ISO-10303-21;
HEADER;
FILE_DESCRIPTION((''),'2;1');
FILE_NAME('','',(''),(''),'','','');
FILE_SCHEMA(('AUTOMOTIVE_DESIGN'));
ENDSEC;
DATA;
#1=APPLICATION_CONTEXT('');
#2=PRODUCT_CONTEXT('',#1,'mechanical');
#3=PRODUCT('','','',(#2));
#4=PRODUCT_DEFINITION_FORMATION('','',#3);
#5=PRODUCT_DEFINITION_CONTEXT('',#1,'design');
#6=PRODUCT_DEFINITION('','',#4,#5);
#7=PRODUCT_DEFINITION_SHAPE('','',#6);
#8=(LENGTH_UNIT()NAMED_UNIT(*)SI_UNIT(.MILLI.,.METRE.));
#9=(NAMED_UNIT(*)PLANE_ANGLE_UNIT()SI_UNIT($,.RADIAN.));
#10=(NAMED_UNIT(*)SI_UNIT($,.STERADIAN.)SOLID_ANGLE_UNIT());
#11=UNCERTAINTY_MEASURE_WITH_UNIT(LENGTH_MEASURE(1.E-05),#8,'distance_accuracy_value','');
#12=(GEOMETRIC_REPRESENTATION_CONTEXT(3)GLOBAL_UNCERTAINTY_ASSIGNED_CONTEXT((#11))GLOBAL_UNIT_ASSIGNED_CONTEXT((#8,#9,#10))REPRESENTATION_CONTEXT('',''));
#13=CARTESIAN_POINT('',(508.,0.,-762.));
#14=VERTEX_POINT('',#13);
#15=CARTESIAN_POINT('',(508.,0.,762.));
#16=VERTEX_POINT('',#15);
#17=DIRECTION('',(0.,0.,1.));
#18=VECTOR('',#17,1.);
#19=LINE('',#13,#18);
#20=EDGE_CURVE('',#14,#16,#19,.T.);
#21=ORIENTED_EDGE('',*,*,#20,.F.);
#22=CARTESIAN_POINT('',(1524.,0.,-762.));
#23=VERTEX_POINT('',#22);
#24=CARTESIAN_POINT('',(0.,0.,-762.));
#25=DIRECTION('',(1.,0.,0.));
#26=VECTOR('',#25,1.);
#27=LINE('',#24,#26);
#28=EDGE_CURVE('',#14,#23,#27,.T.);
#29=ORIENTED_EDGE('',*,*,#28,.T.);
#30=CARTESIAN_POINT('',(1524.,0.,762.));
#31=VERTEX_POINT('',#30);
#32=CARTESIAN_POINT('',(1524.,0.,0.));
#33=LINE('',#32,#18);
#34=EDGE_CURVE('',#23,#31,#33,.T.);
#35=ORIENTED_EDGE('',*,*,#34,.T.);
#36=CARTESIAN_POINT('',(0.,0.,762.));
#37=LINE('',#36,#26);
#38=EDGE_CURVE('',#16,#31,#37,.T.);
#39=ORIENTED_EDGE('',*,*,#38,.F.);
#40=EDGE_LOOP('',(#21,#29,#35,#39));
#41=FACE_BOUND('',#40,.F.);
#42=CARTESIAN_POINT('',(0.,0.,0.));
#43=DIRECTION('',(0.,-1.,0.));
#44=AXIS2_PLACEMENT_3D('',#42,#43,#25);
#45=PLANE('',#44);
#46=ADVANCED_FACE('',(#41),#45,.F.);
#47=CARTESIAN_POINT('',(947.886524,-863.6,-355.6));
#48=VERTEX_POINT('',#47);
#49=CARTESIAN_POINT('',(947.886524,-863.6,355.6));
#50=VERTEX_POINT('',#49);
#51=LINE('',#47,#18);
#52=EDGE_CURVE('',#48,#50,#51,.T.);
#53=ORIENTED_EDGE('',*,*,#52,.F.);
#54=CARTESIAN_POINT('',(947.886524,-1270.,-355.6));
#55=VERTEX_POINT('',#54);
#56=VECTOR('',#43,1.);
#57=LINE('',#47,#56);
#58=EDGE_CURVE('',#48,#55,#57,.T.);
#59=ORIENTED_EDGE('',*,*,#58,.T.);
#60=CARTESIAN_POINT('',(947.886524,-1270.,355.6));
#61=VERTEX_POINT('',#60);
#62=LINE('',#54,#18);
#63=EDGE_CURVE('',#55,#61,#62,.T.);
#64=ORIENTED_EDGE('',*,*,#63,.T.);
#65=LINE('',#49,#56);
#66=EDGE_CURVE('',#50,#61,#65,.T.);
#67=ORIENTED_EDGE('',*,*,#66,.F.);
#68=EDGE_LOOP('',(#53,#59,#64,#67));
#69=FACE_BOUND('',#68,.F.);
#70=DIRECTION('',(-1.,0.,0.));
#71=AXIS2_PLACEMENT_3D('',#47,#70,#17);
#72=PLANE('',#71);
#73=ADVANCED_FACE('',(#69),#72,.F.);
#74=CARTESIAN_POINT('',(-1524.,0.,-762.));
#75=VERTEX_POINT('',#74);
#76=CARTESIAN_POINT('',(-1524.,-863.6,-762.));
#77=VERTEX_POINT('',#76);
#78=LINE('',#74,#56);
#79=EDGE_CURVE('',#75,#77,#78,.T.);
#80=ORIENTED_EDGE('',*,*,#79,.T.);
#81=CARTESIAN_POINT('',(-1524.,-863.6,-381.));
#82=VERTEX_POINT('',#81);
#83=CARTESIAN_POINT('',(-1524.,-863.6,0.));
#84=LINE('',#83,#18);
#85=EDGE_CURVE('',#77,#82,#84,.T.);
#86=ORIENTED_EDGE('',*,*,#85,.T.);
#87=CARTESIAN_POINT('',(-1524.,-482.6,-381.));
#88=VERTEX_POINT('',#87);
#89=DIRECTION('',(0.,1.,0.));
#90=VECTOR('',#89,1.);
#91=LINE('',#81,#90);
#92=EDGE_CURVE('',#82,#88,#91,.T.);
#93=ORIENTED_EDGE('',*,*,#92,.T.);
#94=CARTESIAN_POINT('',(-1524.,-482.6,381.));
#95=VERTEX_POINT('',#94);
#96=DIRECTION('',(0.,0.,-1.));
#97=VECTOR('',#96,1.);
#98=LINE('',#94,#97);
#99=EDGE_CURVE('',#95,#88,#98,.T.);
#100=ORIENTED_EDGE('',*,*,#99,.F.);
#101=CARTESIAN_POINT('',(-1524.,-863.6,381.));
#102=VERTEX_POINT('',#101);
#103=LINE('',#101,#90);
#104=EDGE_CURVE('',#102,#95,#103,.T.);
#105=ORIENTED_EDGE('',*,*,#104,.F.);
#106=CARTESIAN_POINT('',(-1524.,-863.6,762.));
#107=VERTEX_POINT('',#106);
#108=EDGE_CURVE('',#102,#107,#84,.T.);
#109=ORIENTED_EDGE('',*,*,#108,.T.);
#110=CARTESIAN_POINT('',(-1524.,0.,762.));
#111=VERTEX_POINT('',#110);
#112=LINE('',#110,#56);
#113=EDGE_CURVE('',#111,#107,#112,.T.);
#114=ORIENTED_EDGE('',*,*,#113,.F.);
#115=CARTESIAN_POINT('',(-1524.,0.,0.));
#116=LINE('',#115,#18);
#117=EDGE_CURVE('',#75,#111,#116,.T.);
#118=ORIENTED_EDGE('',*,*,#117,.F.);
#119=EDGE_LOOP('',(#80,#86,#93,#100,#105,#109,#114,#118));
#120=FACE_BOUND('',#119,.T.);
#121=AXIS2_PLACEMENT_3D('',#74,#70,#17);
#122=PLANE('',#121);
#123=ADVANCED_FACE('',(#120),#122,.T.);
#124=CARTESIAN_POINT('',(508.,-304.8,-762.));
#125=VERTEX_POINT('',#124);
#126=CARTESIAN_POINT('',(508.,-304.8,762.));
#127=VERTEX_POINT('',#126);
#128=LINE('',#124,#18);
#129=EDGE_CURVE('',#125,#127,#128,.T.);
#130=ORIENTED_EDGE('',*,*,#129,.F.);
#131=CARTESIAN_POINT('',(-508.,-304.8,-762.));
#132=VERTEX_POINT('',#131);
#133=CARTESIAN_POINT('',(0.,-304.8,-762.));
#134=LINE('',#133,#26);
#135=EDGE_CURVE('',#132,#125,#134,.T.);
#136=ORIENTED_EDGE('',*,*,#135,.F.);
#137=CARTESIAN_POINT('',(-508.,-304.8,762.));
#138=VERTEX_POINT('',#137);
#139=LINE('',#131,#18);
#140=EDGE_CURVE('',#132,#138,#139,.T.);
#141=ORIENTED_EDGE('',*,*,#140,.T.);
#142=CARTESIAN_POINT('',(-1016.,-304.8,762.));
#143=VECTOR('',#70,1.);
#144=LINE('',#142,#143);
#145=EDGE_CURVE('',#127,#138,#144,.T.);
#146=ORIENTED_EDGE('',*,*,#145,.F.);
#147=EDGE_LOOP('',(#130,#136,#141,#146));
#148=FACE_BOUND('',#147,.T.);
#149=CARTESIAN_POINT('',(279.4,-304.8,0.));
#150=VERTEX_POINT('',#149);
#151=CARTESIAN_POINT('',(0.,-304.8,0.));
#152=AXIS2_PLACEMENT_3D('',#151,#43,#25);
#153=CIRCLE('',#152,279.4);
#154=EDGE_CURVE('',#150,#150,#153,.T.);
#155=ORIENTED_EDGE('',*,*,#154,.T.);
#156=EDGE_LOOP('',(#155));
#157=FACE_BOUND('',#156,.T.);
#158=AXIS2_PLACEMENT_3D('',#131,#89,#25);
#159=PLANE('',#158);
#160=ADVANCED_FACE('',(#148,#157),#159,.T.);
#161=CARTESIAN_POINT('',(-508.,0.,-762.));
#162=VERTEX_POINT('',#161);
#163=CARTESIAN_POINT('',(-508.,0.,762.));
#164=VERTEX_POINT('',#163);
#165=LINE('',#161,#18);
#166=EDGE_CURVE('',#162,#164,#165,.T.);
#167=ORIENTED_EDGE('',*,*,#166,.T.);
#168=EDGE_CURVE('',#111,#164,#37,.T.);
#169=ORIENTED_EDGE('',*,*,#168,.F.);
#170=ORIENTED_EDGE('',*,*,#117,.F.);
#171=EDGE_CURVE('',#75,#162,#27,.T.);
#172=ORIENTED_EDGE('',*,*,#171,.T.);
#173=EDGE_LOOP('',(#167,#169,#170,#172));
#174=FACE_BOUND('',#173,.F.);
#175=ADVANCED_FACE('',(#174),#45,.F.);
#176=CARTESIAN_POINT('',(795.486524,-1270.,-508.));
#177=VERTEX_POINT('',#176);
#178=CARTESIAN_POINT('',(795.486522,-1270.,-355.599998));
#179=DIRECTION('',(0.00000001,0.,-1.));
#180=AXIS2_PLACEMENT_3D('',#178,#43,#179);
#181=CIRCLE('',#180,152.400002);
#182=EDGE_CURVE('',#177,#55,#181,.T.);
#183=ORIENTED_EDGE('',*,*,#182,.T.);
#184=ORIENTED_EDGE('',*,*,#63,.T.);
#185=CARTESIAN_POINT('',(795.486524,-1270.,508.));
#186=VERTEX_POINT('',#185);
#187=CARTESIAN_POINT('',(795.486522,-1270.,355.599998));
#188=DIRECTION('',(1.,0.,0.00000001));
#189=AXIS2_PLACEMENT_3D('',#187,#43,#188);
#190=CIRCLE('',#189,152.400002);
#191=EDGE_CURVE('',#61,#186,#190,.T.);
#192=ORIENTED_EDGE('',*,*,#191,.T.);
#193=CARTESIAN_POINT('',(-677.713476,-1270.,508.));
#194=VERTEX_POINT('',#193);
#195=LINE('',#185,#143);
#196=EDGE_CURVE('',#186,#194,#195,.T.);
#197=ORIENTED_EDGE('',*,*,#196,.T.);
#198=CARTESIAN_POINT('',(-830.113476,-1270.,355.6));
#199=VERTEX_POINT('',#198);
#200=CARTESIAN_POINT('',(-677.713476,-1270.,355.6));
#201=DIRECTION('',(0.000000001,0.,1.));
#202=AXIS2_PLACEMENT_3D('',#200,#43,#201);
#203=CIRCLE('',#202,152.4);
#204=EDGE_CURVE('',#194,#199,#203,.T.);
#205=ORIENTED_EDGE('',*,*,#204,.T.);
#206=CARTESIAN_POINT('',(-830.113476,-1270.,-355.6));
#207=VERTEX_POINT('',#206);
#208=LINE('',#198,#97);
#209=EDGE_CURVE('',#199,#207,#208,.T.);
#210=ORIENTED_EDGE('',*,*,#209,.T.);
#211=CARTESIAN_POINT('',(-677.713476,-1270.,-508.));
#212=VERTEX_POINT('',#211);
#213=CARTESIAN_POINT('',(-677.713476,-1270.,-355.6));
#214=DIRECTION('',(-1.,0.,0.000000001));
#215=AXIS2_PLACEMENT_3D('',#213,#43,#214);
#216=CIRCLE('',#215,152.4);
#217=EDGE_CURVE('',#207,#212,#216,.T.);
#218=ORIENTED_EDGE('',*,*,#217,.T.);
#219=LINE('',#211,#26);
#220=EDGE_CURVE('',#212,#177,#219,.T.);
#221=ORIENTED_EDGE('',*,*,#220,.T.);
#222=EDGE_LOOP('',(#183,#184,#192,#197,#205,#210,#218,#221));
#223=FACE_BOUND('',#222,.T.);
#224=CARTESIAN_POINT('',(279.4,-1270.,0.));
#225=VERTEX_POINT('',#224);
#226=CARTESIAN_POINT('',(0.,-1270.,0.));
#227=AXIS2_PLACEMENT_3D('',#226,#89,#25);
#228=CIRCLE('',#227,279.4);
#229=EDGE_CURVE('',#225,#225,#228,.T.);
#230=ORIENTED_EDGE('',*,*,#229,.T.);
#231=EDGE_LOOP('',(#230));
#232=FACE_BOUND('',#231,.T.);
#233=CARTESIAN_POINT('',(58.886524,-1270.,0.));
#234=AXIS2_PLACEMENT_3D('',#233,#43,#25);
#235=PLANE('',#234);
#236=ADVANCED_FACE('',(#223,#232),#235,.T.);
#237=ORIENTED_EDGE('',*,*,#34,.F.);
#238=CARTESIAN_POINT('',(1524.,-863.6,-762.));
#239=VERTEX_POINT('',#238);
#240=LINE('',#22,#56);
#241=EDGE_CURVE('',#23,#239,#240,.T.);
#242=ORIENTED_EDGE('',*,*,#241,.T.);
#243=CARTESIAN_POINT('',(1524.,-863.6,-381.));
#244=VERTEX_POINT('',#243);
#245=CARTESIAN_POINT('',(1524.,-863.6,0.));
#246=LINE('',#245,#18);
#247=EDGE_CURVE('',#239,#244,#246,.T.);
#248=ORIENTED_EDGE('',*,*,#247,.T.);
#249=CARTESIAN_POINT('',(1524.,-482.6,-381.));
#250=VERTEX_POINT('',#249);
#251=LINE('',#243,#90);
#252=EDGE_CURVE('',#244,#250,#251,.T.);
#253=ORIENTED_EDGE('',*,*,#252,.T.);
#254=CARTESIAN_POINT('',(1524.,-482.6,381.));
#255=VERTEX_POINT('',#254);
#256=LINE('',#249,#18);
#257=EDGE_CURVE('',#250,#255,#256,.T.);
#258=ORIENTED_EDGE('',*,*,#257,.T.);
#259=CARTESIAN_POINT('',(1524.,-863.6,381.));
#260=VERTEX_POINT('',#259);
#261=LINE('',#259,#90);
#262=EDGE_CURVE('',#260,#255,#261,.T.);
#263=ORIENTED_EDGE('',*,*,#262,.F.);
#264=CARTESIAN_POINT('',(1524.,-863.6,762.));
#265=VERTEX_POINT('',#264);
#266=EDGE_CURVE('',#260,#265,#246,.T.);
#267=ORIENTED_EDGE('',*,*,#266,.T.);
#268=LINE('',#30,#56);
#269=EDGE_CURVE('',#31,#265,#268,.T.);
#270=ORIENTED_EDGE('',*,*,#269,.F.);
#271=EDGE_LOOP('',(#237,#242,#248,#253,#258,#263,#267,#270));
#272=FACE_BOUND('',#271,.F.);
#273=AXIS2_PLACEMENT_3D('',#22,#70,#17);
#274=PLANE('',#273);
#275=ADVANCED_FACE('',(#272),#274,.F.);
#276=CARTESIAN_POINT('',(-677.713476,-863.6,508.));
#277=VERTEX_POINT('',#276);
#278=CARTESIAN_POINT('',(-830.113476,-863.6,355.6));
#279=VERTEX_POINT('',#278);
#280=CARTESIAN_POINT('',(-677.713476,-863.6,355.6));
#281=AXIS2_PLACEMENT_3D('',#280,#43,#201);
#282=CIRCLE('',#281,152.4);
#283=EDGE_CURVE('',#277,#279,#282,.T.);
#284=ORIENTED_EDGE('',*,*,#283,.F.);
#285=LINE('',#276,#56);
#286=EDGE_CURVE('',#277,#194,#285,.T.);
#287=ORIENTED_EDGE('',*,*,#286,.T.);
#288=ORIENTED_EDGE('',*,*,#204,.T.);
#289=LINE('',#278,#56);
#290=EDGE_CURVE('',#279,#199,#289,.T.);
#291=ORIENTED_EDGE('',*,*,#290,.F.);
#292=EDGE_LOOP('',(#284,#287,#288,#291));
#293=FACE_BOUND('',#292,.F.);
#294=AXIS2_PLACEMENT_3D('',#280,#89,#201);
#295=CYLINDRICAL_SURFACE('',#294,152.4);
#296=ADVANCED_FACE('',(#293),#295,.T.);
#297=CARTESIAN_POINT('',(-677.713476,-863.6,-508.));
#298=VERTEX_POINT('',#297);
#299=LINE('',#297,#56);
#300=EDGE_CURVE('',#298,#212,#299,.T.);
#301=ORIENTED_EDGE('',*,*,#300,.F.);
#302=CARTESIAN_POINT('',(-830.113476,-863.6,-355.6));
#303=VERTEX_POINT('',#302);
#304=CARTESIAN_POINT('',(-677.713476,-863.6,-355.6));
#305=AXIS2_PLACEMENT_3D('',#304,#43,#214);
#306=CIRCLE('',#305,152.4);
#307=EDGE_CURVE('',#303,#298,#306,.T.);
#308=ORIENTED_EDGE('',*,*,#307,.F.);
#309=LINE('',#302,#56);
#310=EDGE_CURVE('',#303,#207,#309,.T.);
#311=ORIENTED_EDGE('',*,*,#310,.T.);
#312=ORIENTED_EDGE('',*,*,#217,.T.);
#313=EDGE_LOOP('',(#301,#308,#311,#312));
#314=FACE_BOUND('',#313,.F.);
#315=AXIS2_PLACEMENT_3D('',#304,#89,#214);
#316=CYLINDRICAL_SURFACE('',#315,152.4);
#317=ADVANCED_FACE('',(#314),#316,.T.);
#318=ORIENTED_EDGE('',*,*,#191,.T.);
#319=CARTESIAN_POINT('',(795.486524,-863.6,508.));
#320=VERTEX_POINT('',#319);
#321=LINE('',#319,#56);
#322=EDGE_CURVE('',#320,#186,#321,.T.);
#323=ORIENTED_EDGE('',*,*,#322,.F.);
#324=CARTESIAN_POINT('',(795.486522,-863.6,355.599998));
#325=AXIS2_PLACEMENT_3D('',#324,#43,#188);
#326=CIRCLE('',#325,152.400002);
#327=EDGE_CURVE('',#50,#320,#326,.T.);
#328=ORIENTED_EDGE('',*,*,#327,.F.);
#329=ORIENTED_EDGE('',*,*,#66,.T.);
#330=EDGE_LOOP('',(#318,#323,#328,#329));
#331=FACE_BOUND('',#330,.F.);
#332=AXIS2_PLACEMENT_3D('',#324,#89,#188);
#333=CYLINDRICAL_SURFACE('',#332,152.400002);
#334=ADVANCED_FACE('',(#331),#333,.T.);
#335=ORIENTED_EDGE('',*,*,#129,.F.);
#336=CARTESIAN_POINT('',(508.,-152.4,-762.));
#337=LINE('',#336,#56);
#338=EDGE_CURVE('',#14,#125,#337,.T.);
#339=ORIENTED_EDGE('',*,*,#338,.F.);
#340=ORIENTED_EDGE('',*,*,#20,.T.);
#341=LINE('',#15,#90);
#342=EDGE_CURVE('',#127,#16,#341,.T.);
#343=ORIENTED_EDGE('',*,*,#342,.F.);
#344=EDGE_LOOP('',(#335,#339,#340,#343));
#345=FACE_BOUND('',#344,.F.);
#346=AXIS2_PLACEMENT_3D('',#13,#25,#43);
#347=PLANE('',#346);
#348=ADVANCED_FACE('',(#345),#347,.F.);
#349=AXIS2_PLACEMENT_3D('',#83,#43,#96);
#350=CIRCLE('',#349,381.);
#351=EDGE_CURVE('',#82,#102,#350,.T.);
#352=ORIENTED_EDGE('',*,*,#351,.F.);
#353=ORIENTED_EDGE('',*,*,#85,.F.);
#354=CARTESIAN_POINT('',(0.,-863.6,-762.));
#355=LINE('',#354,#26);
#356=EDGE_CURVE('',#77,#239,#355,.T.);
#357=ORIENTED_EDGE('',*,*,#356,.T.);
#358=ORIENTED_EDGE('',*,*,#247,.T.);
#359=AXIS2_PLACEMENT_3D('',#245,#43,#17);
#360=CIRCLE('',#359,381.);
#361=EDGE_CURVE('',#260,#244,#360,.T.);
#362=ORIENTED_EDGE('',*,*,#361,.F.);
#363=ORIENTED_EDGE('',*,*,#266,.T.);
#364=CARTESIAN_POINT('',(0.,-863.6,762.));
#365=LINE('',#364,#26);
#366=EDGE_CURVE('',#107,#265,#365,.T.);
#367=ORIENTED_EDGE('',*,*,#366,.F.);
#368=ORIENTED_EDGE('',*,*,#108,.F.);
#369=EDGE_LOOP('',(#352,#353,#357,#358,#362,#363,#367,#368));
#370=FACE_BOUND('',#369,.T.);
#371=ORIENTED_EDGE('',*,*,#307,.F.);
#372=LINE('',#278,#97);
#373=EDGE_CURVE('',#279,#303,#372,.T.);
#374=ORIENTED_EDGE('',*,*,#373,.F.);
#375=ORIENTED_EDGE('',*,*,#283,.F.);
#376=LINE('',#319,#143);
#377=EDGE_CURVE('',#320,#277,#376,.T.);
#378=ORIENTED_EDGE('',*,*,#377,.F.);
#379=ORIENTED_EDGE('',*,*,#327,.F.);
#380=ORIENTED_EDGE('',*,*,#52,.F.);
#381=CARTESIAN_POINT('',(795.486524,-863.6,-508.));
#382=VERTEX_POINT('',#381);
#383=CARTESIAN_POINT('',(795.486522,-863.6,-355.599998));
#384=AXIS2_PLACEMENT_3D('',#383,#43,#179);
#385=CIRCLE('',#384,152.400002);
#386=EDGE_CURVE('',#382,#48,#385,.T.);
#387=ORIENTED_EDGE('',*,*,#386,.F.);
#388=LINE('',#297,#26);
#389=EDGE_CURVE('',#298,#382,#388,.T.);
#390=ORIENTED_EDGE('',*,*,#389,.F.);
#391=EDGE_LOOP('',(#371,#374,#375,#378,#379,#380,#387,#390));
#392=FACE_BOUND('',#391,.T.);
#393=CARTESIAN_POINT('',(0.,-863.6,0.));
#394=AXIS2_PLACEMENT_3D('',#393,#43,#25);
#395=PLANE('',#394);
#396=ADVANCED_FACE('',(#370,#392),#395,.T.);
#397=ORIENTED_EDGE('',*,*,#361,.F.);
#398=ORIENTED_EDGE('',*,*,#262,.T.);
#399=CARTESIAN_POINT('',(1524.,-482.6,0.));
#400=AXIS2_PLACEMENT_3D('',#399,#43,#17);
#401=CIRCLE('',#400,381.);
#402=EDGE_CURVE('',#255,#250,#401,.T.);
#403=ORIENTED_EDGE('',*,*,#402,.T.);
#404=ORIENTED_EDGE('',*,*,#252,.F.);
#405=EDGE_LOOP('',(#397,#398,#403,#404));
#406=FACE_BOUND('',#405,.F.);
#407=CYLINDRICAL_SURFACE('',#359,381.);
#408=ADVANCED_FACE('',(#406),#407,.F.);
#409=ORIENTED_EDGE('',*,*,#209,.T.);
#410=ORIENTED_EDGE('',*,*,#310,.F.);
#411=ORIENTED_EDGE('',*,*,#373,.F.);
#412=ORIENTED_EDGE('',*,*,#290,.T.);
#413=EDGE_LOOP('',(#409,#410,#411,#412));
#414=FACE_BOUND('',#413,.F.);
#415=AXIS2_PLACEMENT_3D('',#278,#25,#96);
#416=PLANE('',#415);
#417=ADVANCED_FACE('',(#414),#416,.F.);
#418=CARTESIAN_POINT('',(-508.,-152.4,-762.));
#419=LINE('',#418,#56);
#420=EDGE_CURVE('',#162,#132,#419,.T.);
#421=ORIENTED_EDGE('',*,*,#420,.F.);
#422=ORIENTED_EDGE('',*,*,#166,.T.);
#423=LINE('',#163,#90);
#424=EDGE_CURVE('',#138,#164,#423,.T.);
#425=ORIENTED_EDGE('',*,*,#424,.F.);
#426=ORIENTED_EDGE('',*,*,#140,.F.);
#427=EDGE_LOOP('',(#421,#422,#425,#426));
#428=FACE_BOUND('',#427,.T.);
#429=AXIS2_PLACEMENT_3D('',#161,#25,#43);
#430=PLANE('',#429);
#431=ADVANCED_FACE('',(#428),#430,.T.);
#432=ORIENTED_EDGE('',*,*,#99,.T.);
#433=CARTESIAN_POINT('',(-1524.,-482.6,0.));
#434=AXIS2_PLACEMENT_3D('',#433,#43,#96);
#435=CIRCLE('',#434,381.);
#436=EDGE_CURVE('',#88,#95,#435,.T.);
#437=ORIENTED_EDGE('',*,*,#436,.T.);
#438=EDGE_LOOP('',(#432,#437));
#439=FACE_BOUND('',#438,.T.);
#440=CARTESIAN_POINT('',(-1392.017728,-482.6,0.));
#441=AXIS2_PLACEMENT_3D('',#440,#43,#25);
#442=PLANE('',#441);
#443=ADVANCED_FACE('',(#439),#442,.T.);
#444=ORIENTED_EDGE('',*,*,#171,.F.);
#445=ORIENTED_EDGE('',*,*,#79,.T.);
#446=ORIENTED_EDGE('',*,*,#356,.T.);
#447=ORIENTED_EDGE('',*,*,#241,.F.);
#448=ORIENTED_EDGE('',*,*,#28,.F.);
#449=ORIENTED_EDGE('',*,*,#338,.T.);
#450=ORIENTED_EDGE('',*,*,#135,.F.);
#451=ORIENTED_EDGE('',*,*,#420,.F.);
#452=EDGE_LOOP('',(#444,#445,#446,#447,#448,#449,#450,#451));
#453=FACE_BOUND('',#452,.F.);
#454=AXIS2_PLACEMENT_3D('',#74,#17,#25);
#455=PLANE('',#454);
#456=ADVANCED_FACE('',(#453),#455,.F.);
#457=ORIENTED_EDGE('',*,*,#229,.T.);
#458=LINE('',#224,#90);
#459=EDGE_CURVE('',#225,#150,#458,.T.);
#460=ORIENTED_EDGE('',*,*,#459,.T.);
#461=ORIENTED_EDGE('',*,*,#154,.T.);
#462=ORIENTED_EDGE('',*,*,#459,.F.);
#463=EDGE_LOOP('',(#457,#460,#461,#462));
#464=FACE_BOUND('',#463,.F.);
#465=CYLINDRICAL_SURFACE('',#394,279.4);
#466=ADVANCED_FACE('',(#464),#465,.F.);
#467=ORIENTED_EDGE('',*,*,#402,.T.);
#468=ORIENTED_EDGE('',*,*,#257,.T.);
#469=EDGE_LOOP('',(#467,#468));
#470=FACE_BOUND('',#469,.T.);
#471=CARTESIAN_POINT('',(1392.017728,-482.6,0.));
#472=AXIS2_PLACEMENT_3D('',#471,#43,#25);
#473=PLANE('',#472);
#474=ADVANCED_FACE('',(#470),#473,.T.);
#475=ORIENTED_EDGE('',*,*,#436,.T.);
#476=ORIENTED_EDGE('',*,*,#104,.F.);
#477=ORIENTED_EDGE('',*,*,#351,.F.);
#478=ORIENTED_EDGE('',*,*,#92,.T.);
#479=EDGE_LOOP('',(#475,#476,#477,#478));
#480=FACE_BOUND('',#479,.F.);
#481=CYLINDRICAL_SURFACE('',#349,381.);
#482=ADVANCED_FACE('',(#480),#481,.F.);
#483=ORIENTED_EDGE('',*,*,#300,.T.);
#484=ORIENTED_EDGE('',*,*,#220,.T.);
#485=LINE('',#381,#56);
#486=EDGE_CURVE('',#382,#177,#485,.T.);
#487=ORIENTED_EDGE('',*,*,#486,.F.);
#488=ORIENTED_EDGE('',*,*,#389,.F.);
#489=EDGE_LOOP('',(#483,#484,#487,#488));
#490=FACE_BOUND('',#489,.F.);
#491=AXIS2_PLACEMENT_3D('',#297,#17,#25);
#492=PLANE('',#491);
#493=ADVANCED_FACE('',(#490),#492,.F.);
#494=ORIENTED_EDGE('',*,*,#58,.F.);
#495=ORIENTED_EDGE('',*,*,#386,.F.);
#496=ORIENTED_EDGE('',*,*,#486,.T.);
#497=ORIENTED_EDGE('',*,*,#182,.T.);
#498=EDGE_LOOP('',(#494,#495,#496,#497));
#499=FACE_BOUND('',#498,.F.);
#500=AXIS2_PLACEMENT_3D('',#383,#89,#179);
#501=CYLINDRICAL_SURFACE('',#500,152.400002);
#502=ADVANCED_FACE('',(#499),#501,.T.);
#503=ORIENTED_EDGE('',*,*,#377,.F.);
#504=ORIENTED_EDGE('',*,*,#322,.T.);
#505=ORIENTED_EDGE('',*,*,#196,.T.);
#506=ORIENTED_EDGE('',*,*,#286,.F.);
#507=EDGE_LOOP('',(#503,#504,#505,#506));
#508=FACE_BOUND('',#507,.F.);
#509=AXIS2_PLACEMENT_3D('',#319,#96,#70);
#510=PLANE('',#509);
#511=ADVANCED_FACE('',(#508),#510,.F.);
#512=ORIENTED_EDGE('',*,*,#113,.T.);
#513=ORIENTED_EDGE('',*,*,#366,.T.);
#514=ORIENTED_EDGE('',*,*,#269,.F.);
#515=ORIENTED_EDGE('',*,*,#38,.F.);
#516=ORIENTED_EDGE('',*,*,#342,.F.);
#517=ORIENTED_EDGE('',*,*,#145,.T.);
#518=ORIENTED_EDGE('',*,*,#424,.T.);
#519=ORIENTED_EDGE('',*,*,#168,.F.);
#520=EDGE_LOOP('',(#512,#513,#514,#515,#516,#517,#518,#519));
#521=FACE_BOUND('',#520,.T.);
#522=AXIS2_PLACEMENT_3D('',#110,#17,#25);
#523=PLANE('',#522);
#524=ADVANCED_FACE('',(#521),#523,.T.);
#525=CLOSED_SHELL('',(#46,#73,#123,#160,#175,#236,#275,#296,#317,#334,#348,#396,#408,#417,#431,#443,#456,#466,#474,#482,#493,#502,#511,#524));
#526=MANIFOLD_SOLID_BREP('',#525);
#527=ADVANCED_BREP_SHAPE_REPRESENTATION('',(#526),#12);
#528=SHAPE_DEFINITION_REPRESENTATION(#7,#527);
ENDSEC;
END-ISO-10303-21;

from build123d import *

# Parameters (mm, degrees)
F0_W      = 3048
F0_H      = 1524
F1_DEPTH  = 863.6
F3_DEPTH  = 381
F4_W      = 1016
F4_H      = 304.8
F5_DEPTH  = 1524.001
F7_DEPTH  = 406.4
F8_R      = 279.4
F9_DEPTH  = 406.401
F9_FACE_R = 279.4
F10_DEPTH = 863.601


with BuildPart() as f1:
    # F0 (on Front) → F1 (new body)
    with BuildSketch(Plane.XZ):
        Rectangle(F0_W, F0_H)
    extrude(amount=F1_DEPTH)

    # F2 (on face) → F3 (cut)
    with BuildSketch(Plane.XZ.offset(863.6)):
        with BuildLine():
            Line((-1524, 381), (-1524, -381))
            ThreePointArc((-1524, -381), (-1143, 0), (-1524, 381))
        make_face()
        with BuildLine():
            ThreePointArc((1524, 381), (1143, 0), (1524, -381))
            Line((1524, -381), (1524, 381))
        make_face()
    extrude(amount=-F3_DEPTH, mode=Mode.SUBTRACT)

    # F4 (on face) → F5 (cut, through all)
    with BuildSketch(Plane(origin=(0, 0, -762), x_dir=(1, 0, 0), z_dir=(0, 0, -1))):
        with Locations((0, 152.4)):
            Rectangle(F4_W, F4_H)
    extrude(amount=-F5_DEPTH, mode=Mode.SUBTRACT)

    # F6 (on face) → F7 (join)
    with BuildSketch(Plane.XZ.offset(863.6)):
        with BuildLine():
            ThreePointArc((947.886524, 355.6), (903.249597, 463.363073), (795.486524, 508))
            Line((795.486524, 508), (-677.713476, 508))
            ThreePointArc((-677.713476, 508), (-785.47655, 463.363073), (-830.113476, 355.6))
            Line((-830.113476, 355.6), (-830.113476, -355.6))
            ThreePointArc((-830.113476, -355.6), (-785.47655, -463.363073), (-677.713476, -508))
            Line((-677.713476, -508), (795.486524, -508))
            ThreePointArc((795.486524, -508), (903.249597, -463.363073), (947.886524, -355.6))
            Line((947.886524, -355.6), (947.886524, 355.6))
        make_face()
    extrude(amount=F7_DEPTH)

    # F8 (on face) → F9 (cut, through all)
    with BuildSketch(Plane.XZ.offset(863.6)):
        Circle(F8_R)
    extrude(amount=F9_DEPTH, mode=Mode.SUBTRACT)

    # F9_face (on face) → F10 (cut, through all)
    with BuildSketch(Plane.XZ.offset(863.6)):
        Circle(F9_FACE_R)
    extrude(amount=-F10_DEPTH, mode=Mode.SUBTRACT)


solid = f1.part
